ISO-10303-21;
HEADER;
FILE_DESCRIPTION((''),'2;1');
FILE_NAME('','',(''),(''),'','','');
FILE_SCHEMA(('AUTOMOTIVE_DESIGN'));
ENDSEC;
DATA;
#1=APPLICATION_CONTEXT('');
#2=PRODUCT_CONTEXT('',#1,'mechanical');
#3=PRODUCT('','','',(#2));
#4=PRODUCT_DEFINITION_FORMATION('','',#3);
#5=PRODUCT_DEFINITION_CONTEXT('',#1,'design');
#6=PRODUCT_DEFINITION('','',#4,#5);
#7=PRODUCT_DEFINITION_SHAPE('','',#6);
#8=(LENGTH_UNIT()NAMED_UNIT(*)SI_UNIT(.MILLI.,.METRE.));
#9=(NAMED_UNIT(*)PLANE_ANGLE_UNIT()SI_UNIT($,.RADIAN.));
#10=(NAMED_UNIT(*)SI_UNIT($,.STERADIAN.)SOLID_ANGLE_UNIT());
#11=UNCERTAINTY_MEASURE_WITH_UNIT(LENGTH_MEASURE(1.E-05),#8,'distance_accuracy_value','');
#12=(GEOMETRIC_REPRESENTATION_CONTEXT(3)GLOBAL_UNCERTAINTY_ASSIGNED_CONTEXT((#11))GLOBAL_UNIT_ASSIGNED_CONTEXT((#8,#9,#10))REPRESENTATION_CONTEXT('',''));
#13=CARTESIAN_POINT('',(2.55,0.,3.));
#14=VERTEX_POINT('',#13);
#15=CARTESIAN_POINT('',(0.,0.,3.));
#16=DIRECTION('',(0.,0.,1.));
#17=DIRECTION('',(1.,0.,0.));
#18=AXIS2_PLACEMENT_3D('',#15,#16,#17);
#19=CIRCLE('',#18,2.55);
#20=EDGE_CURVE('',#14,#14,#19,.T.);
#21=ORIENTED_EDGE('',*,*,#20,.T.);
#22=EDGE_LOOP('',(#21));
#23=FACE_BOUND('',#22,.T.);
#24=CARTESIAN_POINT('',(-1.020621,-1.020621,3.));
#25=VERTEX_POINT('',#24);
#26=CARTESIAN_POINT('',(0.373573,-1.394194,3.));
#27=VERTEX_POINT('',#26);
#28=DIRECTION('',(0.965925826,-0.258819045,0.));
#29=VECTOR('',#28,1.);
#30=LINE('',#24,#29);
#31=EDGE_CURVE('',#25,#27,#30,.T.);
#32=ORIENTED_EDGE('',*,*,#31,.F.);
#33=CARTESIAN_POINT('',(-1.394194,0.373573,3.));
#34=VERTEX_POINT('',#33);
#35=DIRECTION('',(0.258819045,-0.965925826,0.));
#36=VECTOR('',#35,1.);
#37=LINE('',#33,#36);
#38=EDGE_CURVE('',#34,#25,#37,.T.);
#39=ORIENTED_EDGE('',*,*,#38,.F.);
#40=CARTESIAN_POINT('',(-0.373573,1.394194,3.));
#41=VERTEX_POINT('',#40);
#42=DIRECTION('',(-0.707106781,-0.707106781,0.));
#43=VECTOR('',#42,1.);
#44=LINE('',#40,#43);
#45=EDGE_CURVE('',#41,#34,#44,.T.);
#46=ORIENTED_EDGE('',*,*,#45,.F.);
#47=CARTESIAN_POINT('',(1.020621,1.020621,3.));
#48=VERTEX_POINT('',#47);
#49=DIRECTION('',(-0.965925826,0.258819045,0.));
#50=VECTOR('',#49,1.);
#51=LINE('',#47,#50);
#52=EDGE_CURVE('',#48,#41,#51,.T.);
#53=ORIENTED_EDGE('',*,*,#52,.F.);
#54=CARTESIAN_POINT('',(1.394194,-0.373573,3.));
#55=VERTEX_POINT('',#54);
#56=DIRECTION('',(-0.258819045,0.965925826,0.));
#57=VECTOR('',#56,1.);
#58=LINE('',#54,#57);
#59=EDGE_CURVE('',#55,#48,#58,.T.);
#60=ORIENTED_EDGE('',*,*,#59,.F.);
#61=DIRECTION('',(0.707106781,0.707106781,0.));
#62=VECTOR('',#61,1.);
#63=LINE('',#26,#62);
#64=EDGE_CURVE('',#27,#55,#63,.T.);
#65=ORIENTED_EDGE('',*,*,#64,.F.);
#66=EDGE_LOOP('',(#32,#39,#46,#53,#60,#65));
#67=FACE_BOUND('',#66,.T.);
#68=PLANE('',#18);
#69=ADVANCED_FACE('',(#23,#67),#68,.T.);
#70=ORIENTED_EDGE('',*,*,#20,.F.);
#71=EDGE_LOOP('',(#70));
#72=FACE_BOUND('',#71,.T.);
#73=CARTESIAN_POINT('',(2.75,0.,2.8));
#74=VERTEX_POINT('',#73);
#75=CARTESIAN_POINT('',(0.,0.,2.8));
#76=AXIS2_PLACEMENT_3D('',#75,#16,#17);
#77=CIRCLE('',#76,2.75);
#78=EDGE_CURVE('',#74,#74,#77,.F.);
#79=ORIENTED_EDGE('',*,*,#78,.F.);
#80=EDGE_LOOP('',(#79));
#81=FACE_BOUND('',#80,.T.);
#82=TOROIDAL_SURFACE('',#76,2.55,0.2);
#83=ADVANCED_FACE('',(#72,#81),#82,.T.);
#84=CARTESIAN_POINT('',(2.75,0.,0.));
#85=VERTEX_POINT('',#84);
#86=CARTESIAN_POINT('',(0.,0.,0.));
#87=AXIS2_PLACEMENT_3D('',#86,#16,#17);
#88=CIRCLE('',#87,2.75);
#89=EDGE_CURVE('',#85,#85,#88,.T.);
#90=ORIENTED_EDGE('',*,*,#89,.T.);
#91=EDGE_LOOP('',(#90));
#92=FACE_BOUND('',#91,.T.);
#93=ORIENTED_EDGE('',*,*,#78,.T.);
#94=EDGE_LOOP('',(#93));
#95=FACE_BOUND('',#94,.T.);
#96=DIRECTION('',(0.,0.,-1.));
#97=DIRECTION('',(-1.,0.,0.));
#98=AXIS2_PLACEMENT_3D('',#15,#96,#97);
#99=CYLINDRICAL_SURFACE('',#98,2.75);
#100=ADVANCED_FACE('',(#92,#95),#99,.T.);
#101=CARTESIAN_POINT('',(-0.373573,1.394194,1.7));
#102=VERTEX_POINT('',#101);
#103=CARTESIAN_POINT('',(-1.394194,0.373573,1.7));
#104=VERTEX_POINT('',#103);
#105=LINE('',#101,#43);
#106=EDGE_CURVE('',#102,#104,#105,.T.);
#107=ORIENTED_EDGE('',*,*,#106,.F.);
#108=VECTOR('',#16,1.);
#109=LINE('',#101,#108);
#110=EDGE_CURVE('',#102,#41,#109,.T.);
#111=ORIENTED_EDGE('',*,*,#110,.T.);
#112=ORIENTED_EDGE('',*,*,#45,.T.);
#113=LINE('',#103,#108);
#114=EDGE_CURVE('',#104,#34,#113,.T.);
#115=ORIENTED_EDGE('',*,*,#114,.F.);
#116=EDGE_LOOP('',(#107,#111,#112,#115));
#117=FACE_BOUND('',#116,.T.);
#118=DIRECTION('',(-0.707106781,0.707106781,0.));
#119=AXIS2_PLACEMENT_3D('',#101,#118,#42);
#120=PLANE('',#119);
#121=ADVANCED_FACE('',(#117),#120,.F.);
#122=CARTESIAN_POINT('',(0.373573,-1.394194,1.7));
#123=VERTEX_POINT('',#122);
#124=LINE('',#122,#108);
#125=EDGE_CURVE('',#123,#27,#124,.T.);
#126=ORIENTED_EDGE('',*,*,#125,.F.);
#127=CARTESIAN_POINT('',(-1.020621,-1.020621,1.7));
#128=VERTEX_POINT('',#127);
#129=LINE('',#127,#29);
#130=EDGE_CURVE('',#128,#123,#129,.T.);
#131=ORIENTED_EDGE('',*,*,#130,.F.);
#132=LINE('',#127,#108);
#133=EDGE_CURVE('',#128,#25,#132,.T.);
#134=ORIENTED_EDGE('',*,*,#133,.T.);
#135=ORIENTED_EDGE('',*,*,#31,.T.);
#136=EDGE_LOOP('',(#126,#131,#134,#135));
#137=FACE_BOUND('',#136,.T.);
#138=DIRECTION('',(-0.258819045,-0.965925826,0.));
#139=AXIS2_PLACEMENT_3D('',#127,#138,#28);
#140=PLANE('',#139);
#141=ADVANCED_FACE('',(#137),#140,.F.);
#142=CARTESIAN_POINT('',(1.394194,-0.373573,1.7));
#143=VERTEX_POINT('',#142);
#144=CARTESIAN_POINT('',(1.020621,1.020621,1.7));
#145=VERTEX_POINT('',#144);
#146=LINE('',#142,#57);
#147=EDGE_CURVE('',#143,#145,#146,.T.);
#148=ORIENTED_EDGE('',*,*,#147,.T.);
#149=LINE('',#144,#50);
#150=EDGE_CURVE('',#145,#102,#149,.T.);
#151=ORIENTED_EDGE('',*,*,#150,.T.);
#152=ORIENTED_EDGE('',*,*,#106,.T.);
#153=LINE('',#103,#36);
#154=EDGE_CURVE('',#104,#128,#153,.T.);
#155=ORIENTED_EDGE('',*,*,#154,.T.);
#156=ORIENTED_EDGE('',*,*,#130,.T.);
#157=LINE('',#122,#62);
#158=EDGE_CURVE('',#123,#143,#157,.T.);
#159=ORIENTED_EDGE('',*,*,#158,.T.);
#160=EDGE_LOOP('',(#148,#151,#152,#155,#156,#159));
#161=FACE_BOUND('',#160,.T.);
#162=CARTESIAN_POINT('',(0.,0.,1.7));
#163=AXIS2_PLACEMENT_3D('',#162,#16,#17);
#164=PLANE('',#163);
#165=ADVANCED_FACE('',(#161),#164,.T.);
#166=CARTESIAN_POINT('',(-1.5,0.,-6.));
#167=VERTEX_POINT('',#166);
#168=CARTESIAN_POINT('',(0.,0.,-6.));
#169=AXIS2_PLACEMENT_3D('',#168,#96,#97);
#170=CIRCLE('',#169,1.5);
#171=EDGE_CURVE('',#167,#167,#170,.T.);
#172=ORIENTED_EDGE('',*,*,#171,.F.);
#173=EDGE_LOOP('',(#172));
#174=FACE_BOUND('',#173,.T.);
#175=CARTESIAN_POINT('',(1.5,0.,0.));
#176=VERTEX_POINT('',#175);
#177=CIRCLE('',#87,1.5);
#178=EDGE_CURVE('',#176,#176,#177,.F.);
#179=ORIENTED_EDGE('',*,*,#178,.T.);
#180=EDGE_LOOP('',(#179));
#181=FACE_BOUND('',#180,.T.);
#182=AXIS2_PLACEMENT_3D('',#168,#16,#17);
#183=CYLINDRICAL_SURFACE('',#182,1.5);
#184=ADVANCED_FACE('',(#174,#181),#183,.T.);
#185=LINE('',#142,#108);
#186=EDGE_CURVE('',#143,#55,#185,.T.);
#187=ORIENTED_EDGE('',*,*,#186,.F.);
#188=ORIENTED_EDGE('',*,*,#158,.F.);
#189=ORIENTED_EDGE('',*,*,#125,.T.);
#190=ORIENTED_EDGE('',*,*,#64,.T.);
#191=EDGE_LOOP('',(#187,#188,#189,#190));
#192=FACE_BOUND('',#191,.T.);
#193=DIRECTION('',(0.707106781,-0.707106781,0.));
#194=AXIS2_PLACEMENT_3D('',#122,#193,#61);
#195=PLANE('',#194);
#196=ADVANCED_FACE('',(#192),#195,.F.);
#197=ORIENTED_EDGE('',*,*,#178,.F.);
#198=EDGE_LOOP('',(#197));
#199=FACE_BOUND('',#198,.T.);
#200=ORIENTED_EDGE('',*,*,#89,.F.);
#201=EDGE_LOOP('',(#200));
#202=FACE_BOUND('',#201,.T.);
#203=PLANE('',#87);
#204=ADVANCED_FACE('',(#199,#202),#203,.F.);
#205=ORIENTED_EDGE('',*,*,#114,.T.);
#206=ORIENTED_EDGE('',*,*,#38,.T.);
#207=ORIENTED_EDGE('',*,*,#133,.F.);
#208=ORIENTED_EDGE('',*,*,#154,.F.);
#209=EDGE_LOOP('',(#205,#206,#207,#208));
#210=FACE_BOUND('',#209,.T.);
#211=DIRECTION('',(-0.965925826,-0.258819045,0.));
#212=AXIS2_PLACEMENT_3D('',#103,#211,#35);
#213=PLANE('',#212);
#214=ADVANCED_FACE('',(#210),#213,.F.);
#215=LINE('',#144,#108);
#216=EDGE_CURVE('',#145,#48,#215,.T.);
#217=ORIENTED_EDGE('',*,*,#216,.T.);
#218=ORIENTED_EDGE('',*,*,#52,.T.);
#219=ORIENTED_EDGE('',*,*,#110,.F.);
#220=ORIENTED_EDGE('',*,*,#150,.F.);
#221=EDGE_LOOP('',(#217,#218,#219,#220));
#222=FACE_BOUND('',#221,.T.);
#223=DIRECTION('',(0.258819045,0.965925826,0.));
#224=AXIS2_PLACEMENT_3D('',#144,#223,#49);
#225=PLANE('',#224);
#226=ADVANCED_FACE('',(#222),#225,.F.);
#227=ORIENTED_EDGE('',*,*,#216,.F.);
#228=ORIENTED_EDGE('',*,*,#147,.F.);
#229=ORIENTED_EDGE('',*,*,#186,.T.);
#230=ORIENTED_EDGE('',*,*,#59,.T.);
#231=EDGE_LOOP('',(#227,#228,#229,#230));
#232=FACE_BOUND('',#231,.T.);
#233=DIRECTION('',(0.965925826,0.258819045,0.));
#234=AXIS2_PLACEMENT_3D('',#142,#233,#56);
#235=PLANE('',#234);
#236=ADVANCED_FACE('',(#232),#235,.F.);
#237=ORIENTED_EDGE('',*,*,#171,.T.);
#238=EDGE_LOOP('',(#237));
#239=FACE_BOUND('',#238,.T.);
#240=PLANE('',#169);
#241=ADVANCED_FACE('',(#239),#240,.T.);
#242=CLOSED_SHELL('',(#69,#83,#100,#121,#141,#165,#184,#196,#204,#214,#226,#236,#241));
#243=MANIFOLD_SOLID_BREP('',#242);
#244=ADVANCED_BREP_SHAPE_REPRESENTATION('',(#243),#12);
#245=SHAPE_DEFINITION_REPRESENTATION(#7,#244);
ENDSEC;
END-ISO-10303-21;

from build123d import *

# Parameters (mm, degrees)
SKETCH_1_R          = 2.75
EXTRUDE_1_DEPTH     = 3
CUT_EXTRUDE_1_DEPTH = 1.3
SKETCH_3_R          = 1.5
EXTRUDE_2_DEPTH     = 6
FILLET_1_R          = 0.2


with BuildPart() as part:
    # 草图1 → 凸台-拉伸1 (new body)
    with BuildSketch(Plane.XY):
        Circle(SKETCH_1_R)
    extrude(amount=EXTRUDE_1_DEPTH)

    # 草图2 → 切除-拉伸1 (cut)
    with BuildSketch(Plane.XY.offset(3)):
        Polygon((-1.020620726, -1.020620726), (0.373573113, -1.39419384), (1.39419384, -0.373573113), (1.020620726, 1.020620726), (-0.373573113, 1.39419384), (-1.39419384, 0.373573113), align=None)
    extrude(amount=-CUT_EXTRUDE_1_DEPTH, mode=Mode.SUBTRACT)

    # 草图3 → 凸台-拉伸2 (add)
    with BuildSketch(Plane(origin=(0, 0, 0), x_dir=(-1, 0, 0), z_dir=(0, 0, -1))):
        with Locations(Location((0, 0, 0), (0, 0, 180))):
            Circle(SKETCH_3_R)
    extrude(amount=EXTRUDE_2_DEPTH)

    # 圆角1
    fillet_1_edges = [part.edges().sort_by_distance(p)[0] for p in [
        (-2.75, 0, 3),
    ]]
    fillet(fillet_1_edges, radius=FILLET_1_R)


solid = part.part
